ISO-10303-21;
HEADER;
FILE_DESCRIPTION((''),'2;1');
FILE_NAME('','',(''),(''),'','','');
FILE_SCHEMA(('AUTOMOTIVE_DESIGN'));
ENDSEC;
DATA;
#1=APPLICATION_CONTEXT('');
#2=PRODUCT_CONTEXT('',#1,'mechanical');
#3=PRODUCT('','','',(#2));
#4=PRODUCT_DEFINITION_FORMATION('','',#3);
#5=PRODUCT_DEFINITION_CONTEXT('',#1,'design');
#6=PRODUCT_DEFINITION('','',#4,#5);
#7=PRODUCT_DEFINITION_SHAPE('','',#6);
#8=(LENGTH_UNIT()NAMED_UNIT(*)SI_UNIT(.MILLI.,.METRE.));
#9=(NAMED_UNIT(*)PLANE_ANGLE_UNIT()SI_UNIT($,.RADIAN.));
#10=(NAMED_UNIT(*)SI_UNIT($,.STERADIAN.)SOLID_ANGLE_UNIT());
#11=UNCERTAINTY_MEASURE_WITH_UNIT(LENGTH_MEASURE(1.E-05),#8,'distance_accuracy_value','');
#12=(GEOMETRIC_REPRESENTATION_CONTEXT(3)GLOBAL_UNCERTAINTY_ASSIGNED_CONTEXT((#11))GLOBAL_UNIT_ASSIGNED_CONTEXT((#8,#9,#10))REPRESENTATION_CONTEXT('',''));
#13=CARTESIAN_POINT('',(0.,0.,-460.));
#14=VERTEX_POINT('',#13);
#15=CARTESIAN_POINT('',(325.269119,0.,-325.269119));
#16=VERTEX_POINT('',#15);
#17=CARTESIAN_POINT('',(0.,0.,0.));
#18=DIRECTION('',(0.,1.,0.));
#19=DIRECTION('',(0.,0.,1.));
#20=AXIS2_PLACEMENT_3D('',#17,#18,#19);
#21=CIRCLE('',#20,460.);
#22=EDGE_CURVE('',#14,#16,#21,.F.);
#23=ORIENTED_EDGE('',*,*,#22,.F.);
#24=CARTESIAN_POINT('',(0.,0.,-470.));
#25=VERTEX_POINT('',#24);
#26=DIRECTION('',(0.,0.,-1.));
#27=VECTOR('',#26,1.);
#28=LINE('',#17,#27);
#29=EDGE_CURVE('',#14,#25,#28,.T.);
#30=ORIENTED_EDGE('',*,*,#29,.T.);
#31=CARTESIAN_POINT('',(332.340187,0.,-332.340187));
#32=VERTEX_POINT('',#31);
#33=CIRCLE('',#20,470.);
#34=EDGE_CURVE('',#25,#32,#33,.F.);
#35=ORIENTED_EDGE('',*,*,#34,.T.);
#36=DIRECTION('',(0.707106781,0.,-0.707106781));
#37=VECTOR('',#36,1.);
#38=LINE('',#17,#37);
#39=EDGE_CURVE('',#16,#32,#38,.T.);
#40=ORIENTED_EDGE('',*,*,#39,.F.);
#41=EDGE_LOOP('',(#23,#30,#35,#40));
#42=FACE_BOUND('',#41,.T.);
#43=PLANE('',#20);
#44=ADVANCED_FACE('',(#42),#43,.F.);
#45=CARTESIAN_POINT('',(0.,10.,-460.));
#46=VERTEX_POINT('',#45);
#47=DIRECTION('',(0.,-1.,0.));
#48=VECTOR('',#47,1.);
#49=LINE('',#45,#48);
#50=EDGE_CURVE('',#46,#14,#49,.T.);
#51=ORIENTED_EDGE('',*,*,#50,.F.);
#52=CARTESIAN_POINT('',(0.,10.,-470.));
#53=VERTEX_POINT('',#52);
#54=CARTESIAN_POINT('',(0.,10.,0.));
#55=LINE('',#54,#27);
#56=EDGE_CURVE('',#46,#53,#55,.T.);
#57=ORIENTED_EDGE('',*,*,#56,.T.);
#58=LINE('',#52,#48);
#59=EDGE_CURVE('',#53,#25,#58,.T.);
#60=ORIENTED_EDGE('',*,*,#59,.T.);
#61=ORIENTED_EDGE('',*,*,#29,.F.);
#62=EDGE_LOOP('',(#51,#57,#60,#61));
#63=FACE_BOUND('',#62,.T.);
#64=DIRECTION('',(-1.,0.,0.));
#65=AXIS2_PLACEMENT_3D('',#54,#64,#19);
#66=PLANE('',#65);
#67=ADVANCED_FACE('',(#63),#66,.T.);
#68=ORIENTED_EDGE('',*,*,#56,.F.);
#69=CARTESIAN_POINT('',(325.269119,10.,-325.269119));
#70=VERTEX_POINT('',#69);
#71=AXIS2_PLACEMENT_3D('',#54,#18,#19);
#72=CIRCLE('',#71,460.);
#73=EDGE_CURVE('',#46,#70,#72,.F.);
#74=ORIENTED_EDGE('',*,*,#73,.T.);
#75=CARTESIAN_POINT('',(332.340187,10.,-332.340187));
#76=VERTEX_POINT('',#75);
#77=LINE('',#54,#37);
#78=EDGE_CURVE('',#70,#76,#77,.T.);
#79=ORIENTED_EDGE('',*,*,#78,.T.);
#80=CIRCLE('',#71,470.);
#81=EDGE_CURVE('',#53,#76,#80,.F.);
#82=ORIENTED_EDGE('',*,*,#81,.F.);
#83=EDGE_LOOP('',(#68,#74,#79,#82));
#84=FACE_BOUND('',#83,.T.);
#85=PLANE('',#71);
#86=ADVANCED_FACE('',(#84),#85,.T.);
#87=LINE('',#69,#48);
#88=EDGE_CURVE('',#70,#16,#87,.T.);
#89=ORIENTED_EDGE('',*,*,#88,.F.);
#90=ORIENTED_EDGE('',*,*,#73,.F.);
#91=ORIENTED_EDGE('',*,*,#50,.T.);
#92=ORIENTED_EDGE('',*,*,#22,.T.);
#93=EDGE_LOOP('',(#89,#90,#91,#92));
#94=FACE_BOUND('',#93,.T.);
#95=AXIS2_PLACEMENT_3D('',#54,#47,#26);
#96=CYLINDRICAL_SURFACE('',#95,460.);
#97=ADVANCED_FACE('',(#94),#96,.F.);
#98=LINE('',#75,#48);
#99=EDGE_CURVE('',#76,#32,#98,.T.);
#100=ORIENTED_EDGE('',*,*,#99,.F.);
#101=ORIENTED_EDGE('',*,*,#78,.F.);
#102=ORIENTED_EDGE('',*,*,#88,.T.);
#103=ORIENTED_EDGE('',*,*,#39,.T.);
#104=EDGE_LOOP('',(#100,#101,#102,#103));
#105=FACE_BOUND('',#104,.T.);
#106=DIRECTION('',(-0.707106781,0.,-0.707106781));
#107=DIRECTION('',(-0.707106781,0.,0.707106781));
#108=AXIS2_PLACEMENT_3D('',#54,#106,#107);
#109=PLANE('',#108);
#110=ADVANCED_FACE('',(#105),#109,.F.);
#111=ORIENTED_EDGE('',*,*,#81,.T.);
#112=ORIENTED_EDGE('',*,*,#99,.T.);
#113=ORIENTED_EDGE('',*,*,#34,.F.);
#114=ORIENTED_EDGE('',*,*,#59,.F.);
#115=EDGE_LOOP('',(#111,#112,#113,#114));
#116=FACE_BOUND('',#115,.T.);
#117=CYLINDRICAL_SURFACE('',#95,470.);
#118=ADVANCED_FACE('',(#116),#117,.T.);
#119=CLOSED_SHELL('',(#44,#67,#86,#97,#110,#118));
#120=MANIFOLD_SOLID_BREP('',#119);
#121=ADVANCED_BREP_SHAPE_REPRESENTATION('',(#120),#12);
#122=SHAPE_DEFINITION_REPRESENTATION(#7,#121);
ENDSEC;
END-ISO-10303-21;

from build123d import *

# Parameters (mm, degrees)
BOSS_EXTRUDE1_DEPTH = 10


with BuildPart() as part:
    # Sketch1 → Boss-Extrude1 (new body)
    with BuildSketch(Plane(origin=(0, 0, 0), x_dir=(1, 0, 0), z_dir=(0, 1, 0))):
        with BuildLine():
            ThreePointArc((0, 470), (179.861213212, 434.22338028), (332.340187158, 332.340187158))
            Line((332.340187158, 332.340187158), (325.269119346, 325.269119346))
            ThreePointArc((325.269119346, 325.269119346), (176.034378888, 424.984584955), (0, 460))
            Line((0, 460), (0, 470))
        make_face()
    extrude(amount=BOSS_EXTRUDE1_DEPTH)


solid = part.part
